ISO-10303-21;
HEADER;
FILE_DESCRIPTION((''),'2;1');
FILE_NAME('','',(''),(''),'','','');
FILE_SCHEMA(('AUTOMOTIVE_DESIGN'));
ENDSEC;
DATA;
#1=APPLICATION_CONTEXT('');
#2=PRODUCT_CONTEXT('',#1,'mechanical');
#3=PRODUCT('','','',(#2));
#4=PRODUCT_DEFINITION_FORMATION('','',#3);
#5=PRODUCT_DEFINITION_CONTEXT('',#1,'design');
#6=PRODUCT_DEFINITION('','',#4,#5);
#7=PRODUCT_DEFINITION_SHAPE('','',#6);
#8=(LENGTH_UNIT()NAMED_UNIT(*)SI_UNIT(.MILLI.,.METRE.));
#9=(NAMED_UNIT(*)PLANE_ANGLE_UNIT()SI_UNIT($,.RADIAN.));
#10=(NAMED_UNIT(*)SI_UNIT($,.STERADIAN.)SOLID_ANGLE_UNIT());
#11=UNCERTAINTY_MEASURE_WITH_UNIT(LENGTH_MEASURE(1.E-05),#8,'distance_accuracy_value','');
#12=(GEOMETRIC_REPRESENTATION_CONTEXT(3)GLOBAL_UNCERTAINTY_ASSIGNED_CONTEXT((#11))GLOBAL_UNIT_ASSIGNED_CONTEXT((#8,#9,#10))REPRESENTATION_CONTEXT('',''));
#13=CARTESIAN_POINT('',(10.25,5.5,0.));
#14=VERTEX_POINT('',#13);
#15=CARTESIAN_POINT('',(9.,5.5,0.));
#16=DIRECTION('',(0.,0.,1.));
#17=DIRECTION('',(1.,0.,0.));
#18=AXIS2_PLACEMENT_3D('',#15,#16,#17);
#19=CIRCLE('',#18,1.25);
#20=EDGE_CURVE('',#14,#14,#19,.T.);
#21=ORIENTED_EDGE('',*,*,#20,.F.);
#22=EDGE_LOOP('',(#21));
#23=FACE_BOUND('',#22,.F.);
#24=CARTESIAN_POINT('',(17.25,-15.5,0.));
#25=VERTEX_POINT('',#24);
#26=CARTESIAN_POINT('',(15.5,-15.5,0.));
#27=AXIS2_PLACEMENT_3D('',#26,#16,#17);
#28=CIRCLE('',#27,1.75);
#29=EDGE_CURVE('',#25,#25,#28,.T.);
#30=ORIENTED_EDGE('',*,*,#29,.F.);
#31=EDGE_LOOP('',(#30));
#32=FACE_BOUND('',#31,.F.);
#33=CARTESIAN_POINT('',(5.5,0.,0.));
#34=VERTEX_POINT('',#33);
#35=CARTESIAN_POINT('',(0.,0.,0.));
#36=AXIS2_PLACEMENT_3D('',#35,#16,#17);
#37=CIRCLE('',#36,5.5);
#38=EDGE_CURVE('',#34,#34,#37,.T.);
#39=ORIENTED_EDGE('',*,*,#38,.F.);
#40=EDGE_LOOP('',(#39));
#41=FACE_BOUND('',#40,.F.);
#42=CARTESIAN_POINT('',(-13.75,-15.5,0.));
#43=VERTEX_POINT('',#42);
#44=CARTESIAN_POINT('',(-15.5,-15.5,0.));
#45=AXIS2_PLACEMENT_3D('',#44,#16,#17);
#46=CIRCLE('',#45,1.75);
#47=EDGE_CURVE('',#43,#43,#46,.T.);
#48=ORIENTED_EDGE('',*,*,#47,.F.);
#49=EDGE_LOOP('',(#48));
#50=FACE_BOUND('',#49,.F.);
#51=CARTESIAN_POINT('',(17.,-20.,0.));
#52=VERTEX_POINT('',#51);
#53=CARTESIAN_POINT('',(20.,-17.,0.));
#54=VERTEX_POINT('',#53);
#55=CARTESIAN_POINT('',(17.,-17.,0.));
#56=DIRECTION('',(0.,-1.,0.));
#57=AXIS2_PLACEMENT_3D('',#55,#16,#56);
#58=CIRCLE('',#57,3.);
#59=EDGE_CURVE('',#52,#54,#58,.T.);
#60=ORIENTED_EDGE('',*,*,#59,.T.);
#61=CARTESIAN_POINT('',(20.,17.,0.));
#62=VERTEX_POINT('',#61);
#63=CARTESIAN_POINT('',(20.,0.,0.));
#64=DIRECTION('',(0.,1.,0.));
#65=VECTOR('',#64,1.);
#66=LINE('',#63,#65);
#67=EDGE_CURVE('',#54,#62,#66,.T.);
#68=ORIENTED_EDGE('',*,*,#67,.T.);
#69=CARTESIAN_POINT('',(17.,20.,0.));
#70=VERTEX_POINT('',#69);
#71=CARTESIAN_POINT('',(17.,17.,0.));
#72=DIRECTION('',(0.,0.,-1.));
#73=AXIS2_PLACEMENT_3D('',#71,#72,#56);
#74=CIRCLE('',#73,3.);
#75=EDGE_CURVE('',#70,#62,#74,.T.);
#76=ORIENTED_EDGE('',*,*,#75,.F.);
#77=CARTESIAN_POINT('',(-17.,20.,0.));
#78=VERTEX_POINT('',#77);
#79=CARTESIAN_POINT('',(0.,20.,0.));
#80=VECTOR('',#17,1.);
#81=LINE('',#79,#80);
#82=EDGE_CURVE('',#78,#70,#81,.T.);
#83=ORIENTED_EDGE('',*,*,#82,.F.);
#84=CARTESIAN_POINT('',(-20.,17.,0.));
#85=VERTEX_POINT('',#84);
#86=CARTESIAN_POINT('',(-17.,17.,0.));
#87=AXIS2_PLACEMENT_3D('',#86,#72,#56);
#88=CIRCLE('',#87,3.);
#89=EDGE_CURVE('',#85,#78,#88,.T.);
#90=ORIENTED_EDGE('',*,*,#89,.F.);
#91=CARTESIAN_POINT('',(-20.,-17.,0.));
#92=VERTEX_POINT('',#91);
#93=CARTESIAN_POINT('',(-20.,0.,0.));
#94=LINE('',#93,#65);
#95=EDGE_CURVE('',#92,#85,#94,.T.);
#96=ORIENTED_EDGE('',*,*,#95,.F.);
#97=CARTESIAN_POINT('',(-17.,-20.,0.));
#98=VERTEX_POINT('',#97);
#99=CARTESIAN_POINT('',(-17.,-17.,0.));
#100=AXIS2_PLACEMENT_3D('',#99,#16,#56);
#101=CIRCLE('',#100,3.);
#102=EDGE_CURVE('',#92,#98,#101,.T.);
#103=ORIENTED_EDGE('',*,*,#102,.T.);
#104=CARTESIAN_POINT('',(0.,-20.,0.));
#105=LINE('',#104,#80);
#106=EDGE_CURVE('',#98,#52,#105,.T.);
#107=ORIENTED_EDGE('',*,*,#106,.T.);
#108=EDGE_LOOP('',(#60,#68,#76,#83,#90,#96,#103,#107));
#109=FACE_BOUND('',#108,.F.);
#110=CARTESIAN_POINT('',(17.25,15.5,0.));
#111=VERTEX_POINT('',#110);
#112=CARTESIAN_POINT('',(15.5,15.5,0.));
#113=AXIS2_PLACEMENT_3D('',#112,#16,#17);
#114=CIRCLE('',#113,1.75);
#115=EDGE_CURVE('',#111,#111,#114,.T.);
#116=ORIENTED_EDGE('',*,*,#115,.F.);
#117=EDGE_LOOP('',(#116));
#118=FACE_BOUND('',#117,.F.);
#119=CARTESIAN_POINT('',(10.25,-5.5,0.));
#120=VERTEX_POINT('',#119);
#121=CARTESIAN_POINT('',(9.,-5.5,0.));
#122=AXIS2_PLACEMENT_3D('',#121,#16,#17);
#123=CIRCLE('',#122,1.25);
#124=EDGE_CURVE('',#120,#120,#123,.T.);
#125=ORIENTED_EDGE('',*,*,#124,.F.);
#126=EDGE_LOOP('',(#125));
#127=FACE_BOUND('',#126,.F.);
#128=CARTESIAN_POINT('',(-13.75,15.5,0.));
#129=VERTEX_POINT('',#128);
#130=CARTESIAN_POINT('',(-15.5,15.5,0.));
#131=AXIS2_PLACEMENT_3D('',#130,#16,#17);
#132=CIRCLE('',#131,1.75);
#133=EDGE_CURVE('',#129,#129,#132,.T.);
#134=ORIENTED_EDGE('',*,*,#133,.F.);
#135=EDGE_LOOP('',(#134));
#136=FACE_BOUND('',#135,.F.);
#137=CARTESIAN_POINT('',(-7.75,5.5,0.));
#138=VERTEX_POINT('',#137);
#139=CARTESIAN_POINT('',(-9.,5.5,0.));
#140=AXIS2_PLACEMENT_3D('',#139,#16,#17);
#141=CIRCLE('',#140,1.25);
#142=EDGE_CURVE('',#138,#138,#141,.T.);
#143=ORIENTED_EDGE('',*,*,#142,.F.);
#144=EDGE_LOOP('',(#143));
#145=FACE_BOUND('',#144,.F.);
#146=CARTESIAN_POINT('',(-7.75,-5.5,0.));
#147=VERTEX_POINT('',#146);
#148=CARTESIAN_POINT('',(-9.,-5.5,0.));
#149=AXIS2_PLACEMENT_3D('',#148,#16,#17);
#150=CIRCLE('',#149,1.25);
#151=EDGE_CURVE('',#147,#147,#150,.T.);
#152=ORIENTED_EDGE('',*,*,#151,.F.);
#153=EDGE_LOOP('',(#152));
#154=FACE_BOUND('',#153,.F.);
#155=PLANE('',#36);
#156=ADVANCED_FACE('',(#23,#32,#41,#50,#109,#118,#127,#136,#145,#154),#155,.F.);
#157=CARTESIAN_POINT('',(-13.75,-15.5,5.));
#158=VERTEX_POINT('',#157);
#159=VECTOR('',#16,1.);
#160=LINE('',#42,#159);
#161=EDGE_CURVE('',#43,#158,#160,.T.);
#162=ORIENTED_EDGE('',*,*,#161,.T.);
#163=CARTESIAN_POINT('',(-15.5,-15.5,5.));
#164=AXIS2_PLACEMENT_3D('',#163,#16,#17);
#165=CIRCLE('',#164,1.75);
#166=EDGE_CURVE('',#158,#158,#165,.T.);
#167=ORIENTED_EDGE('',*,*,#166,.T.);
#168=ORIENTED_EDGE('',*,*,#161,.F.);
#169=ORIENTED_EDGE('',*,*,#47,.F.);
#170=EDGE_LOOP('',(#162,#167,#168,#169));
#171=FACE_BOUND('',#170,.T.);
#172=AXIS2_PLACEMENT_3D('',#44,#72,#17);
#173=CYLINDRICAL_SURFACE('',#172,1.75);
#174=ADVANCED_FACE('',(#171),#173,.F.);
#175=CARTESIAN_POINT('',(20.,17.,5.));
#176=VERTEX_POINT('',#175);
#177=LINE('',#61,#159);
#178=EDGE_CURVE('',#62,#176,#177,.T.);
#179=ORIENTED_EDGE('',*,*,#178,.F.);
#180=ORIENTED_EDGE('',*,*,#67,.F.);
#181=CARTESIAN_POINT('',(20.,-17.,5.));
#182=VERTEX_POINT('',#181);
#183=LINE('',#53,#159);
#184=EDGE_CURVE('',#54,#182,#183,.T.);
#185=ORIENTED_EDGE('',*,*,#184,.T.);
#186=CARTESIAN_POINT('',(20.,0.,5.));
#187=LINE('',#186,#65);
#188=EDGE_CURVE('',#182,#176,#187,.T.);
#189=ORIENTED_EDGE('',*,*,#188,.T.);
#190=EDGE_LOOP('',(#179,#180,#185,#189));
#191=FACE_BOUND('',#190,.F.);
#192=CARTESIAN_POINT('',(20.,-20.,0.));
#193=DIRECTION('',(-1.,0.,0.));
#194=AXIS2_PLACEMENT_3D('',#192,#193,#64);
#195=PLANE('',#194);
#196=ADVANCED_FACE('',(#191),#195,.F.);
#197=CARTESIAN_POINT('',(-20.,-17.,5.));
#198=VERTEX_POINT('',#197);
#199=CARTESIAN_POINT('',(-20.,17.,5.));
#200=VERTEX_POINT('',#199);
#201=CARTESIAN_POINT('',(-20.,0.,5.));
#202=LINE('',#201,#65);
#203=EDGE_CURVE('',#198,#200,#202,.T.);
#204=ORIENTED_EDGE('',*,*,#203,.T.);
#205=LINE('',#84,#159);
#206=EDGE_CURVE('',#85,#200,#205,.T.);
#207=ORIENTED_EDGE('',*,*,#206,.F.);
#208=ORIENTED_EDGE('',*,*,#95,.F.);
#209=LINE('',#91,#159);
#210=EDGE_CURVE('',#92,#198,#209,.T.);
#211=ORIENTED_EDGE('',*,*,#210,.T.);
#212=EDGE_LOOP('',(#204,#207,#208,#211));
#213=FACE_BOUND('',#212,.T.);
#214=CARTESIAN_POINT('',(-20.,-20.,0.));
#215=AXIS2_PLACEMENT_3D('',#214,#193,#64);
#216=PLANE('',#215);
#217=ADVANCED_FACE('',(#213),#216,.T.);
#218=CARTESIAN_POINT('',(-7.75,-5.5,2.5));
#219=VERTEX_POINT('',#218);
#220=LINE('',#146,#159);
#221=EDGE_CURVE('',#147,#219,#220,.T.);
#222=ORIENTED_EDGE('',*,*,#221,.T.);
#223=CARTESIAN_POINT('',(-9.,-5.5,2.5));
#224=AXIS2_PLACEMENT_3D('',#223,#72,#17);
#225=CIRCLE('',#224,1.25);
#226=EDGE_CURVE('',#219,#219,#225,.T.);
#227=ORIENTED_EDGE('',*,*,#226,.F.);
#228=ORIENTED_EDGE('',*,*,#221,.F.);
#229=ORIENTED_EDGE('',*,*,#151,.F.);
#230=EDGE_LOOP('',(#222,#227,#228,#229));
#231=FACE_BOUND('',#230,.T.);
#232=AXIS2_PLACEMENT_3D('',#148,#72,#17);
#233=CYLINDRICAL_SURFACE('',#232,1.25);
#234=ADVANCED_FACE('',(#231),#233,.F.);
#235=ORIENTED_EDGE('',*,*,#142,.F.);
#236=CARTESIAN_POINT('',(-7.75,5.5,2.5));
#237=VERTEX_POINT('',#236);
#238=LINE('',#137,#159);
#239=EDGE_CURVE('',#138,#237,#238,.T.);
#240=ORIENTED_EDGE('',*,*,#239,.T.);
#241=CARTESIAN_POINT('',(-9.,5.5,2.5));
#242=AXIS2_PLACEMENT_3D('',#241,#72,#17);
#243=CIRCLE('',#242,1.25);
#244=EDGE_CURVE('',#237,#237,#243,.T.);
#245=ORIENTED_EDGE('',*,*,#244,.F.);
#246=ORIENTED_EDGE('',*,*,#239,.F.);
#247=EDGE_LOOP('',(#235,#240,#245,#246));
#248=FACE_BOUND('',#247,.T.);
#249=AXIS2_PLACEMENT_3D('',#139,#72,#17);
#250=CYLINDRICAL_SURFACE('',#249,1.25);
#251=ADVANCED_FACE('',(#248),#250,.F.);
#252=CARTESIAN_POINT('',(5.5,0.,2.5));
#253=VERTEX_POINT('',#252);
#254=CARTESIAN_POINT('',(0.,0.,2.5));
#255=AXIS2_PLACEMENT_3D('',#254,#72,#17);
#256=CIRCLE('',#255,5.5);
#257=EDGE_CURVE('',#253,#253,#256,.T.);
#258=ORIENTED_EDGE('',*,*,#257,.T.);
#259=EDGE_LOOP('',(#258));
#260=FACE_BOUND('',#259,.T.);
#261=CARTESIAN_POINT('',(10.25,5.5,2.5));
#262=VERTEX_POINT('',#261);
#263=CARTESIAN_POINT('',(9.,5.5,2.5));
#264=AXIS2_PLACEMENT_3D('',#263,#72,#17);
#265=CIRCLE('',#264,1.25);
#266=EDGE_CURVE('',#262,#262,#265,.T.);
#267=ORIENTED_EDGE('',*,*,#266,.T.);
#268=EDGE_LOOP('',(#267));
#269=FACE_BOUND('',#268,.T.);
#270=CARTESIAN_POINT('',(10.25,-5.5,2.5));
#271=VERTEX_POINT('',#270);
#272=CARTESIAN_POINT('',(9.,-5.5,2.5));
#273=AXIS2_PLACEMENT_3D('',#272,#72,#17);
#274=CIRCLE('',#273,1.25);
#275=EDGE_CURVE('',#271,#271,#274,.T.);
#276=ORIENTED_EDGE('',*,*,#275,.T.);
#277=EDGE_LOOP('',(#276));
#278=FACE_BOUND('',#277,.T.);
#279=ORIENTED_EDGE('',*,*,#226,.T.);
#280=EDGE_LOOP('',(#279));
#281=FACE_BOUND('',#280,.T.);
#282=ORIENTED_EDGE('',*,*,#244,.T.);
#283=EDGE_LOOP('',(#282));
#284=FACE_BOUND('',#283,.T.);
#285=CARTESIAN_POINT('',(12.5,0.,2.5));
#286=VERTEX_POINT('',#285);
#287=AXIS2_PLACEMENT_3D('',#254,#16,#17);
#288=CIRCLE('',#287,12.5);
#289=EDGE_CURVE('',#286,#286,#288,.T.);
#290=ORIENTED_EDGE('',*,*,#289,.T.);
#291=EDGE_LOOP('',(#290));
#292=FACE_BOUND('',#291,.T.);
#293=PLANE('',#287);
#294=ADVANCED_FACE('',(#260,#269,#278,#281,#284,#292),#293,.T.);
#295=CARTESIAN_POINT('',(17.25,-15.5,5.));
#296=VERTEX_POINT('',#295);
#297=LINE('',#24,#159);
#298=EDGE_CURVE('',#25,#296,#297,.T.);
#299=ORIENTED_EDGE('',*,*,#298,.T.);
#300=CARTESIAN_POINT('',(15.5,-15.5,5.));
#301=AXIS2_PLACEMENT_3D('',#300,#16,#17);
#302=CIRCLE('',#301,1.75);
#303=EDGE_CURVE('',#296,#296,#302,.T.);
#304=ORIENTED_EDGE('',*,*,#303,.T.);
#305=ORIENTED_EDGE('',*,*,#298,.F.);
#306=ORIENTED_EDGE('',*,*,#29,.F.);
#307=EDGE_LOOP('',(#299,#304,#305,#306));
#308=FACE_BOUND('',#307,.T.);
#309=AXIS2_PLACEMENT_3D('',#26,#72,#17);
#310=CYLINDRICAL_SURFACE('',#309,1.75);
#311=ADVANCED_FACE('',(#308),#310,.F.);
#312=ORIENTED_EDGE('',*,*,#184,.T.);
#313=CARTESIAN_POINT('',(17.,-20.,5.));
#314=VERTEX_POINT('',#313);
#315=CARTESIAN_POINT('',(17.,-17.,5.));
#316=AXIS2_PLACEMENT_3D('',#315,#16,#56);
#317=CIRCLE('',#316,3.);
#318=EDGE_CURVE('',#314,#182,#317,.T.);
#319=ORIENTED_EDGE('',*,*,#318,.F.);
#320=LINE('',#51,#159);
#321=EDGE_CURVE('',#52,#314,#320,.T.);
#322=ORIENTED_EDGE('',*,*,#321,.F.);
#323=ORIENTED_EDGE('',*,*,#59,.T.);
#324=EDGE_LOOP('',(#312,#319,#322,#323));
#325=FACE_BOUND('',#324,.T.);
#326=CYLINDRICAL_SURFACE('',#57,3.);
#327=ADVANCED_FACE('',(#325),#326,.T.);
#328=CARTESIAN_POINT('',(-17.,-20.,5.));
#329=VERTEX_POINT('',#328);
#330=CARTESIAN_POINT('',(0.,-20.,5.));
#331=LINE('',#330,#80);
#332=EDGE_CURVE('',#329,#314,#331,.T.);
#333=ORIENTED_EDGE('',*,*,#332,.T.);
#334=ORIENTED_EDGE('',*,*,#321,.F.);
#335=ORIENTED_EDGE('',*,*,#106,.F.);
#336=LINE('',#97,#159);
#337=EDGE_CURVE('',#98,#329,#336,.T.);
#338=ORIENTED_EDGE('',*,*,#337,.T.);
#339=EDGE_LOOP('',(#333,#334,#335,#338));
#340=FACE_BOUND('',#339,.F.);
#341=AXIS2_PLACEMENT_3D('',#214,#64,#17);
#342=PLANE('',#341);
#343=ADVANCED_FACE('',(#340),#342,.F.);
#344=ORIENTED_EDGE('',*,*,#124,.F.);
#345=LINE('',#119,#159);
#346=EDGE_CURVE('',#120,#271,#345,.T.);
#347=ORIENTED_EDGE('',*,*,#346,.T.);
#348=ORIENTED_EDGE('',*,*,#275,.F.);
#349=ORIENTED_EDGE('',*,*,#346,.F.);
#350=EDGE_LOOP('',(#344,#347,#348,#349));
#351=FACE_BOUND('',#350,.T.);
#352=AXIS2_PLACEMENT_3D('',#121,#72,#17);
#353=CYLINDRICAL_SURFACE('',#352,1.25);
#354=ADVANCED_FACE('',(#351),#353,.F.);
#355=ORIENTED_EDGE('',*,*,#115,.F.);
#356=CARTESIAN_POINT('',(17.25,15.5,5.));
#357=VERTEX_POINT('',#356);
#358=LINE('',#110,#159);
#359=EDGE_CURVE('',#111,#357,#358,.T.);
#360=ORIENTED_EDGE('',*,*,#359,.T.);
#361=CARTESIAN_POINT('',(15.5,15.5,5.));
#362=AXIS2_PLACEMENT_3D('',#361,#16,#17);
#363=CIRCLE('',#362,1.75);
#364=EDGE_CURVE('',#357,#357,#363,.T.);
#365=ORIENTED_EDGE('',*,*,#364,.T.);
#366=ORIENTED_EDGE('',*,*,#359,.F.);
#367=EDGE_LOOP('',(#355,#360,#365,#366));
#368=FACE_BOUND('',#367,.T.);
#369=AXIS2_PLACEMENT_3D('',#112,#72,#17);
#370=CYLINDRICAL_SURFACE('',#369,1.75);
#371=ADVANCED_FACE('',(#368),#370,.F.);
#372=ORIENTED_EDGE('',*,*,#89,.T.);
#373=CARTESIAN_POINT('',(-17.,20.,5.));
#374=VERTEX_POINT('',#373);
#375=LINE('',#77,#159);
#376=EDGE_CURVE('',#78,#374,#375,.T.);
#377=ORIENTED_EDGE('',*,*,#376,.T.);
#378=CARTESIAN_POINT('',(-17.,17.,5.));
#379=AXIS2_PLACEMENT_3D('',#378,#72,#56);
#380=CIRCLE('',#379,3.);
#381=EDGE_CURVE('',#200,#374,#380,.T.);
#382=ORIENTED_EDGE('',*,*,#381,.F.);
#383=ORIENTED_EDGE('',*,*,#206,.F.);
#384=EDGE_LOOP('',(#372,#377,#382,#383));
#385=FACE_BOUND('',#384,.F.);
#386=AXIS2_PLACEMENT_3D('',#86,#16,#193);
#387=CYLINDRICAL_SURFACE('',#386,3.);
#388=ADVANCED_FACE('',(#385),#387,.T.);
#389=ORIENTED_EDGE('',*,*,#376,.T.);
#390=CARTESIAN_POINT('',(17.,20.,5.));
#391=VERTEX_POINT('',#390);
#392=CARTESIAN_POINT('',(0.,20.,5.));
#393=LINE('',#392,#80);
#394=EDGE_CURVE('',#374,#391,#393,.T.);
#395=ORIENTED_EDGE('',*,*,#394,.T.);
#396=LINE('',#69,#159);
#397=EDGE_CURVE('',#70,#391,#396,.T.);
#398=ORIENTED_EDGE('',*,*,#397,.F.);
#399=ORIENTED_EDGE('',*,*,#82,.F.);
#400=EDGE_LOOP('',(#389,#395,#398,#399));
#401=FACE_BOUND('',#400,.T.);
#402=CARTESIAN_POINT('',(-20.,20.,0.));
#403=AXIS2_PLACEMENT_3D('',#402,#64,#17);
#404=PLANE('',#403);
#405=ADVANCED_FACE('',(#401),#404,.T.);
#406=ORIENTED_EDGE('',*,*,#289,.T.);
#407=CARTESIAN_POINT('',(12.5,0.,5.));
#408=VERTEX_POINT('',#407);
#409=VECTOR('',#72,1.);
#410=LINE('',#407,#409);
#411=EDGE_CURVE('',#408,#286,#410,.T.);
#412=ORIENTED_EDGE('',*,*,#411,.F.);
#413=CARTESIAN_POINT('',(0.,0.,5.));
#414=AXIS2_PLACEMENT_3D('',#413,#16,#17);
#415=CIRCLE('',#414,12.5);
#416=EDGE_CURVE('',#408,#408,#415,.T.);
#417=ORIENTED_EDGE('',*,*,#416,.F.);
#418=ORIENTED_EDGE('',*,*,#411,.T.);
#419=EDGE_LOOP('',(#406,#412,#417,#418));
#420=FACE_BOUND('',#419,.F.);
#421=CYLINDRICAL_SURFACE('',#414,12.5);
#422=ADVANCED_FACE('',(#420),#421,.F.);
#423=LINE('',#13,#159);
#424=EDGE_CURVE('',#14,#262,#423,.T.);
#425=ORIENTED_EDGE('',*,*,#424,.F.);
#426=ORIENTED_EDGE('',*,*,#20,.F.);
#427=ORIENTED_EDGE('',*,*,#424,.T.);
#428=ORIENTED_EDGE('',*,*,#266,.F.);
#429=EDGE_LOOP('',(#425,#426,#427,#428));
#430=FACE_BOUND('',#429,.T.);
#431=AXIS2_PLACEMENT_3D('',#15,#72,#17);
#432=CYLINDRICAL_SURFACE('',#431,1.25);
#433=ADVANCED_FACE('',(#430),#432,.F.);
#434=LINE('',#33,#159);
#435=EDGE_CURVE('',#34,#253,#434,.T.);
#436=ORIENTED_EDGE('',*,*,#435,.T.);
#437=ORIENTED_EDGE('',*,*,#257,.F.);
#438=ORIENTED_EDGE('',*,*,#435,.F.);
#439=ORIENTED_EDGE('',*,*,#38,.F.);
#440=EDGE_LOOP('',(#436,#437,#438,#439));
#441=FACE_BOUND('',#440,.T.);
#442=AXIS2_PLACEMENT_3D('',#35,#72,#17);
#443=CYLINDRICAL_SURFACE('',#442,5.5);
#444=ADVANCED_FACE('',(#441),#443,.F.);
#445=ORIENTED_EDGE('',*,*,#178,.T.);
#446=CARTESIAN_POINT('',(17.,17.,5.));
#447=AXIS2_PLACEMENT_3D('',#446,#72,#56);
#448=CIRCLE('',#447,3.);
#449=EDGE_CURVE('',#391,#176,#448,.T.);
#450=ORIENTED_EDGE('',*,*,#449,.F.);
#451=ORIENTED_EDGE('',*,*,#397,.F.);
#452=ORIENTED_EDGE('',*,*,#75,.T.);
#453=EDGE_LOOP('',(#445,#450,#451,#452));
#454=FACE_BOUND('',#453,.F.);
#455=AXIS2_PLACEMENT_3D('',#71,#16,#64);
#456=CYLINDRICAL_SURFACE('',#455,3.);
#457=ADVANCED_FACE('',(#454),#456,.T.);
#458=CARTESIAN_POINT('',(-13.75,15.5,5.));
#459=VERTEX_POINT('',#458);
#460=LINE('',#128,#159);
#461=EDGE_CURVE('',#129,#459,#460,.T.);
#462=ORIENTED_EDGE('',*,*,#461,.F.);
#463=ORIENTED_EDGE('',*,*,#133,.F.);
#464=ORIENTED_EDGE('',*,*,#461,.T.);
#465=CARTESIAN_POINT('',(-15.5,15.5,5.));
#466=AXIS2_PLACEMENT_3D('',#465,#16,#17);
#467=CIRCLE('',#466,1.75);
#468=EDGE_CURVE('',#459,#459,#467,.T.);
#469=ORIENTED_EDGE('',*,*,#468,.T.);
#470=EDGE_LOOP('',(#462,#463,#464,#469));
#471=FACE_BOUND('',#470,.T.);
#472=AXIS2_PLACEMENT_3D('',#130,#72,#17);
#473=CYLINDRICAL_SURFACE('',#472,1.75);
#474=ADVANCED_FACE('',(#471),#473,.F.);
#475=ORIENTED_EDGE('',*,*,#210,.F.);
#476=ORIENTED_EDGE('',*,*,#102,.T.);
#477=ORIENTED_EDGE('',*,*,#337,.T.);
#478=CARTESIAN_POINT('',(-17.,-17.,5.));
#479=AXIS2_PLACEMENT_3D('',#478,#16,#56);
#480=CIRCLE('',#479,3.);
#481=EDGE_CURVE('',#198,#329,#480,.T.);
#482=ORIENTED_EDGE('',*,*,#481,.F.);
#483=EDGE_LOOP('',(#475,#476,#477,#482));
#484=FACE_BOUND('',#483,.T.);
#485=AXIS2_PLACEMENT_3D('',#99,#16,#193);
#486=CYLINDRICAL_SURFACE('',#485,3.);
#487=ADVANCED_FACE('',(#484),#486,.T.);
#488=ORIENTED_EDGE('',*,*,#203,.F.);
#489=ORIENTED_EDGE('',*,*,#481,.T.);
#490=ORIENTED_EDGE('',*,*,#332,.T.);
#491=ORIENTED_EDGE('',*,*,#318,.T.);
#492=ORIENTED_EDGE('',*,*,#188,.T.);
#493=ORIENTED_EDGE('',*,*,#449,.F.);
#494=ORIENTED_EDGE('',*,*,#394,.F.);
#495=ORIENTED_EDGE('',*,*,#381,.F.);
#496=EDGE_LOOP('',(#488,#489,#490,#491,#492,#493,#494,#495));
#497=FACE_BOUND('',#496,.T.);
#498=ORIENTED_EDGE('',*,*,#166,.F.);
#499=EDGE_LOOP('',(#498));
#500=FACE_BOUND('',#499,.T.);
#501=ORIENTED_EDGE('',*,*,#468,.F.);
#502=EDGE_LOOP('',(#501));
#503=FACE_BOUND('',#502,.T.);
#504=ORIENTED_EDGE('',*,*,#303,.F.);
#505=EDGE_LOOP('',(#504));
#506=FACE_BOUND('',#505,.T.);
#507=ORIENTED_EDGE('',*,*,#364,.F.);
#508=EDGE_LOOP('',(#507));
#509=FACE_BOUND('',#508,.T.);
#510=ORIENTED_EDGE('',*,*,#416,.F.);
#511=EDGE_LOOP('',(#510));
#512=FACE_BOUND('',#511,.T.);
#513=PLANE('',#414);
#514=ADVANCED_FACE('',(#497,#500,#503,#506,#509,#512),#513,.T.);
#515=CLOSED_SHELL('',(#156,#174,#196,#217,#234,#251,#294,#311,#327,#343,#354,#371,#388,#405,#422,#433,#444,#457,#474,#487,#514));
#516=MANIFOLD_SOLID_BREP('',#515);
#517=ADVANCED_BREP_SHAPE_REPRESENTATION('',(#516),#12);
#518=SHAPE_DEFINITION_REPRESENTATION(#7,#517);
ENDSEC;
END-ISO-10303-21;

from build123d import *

# Parameters (mm, degrees)
F0_W     = 40
F0_H     = 40
F0_R     = 1.75
F0_R_2   = 1.25
F0_R_3   = 5.5
F1_DEPTH = 5
F2_R     = 12.5
F3_DEPTH = 2.5
F4_R     = 3


with BuildPart() as f1:
    # F0 (on Top) → F1 (new body)
    with BuildSketch(Plane.XY):
        Rectangle(F0_W, F0_H)
        with Locations((-15.5, -15.5)):
            Circle(F0_R, mode=Mode.SUBTRACT)
        with Locations((-9, -5.5)):
            Circle(F0_R_2, mode=Mode.SUBTRACT)
        with Locations((15.5, -15.5)):
            Circle(F0_R, mode=Mode.SUBTRACT)
        with Locations((9, -5.5)):
            Circle(F0_R_2, mode=Mode.SUBTRACT)
        with Locations((-9, 5.5)):
            Circle(F0_R_2, mode=Mode.SUBTRACT)
        with Locations((-15.5, 15.5)):
            Circle(F0_R, mode=Mode.SUBTRACT)
        Circle(F0_R_3, mode=Mode.SUBTRACT)
        with Locations((9, 5.5)):
            Circle(F0_R_2, mode=Mode.SUBTRACT)
        with Locations((15.5, 15.5)):
            Circle(F0_R, mode=Mode.SUBTRACT)
    extrude(amount=F1_DEPTH)

    # F2 (on face) → F3 (cut)
    with BuildSketch(Plane.XY.offset(5)):
        Circle(F2_R)
    extrude(amount=-F3_DEPTH, mode=Mode.SUBTRACT)

    # F4
    f4_edges = [f1.edges().sort_by_distance(p)[0] for p in [
        (-20, -20, 2.5),
        (20, -20, 2.5),
        (20, 20, 2.5),
        (-20, 20, 2.5),
    ]]
    fillet(f4_edges, radius=F4_R)


solid = f1.part
